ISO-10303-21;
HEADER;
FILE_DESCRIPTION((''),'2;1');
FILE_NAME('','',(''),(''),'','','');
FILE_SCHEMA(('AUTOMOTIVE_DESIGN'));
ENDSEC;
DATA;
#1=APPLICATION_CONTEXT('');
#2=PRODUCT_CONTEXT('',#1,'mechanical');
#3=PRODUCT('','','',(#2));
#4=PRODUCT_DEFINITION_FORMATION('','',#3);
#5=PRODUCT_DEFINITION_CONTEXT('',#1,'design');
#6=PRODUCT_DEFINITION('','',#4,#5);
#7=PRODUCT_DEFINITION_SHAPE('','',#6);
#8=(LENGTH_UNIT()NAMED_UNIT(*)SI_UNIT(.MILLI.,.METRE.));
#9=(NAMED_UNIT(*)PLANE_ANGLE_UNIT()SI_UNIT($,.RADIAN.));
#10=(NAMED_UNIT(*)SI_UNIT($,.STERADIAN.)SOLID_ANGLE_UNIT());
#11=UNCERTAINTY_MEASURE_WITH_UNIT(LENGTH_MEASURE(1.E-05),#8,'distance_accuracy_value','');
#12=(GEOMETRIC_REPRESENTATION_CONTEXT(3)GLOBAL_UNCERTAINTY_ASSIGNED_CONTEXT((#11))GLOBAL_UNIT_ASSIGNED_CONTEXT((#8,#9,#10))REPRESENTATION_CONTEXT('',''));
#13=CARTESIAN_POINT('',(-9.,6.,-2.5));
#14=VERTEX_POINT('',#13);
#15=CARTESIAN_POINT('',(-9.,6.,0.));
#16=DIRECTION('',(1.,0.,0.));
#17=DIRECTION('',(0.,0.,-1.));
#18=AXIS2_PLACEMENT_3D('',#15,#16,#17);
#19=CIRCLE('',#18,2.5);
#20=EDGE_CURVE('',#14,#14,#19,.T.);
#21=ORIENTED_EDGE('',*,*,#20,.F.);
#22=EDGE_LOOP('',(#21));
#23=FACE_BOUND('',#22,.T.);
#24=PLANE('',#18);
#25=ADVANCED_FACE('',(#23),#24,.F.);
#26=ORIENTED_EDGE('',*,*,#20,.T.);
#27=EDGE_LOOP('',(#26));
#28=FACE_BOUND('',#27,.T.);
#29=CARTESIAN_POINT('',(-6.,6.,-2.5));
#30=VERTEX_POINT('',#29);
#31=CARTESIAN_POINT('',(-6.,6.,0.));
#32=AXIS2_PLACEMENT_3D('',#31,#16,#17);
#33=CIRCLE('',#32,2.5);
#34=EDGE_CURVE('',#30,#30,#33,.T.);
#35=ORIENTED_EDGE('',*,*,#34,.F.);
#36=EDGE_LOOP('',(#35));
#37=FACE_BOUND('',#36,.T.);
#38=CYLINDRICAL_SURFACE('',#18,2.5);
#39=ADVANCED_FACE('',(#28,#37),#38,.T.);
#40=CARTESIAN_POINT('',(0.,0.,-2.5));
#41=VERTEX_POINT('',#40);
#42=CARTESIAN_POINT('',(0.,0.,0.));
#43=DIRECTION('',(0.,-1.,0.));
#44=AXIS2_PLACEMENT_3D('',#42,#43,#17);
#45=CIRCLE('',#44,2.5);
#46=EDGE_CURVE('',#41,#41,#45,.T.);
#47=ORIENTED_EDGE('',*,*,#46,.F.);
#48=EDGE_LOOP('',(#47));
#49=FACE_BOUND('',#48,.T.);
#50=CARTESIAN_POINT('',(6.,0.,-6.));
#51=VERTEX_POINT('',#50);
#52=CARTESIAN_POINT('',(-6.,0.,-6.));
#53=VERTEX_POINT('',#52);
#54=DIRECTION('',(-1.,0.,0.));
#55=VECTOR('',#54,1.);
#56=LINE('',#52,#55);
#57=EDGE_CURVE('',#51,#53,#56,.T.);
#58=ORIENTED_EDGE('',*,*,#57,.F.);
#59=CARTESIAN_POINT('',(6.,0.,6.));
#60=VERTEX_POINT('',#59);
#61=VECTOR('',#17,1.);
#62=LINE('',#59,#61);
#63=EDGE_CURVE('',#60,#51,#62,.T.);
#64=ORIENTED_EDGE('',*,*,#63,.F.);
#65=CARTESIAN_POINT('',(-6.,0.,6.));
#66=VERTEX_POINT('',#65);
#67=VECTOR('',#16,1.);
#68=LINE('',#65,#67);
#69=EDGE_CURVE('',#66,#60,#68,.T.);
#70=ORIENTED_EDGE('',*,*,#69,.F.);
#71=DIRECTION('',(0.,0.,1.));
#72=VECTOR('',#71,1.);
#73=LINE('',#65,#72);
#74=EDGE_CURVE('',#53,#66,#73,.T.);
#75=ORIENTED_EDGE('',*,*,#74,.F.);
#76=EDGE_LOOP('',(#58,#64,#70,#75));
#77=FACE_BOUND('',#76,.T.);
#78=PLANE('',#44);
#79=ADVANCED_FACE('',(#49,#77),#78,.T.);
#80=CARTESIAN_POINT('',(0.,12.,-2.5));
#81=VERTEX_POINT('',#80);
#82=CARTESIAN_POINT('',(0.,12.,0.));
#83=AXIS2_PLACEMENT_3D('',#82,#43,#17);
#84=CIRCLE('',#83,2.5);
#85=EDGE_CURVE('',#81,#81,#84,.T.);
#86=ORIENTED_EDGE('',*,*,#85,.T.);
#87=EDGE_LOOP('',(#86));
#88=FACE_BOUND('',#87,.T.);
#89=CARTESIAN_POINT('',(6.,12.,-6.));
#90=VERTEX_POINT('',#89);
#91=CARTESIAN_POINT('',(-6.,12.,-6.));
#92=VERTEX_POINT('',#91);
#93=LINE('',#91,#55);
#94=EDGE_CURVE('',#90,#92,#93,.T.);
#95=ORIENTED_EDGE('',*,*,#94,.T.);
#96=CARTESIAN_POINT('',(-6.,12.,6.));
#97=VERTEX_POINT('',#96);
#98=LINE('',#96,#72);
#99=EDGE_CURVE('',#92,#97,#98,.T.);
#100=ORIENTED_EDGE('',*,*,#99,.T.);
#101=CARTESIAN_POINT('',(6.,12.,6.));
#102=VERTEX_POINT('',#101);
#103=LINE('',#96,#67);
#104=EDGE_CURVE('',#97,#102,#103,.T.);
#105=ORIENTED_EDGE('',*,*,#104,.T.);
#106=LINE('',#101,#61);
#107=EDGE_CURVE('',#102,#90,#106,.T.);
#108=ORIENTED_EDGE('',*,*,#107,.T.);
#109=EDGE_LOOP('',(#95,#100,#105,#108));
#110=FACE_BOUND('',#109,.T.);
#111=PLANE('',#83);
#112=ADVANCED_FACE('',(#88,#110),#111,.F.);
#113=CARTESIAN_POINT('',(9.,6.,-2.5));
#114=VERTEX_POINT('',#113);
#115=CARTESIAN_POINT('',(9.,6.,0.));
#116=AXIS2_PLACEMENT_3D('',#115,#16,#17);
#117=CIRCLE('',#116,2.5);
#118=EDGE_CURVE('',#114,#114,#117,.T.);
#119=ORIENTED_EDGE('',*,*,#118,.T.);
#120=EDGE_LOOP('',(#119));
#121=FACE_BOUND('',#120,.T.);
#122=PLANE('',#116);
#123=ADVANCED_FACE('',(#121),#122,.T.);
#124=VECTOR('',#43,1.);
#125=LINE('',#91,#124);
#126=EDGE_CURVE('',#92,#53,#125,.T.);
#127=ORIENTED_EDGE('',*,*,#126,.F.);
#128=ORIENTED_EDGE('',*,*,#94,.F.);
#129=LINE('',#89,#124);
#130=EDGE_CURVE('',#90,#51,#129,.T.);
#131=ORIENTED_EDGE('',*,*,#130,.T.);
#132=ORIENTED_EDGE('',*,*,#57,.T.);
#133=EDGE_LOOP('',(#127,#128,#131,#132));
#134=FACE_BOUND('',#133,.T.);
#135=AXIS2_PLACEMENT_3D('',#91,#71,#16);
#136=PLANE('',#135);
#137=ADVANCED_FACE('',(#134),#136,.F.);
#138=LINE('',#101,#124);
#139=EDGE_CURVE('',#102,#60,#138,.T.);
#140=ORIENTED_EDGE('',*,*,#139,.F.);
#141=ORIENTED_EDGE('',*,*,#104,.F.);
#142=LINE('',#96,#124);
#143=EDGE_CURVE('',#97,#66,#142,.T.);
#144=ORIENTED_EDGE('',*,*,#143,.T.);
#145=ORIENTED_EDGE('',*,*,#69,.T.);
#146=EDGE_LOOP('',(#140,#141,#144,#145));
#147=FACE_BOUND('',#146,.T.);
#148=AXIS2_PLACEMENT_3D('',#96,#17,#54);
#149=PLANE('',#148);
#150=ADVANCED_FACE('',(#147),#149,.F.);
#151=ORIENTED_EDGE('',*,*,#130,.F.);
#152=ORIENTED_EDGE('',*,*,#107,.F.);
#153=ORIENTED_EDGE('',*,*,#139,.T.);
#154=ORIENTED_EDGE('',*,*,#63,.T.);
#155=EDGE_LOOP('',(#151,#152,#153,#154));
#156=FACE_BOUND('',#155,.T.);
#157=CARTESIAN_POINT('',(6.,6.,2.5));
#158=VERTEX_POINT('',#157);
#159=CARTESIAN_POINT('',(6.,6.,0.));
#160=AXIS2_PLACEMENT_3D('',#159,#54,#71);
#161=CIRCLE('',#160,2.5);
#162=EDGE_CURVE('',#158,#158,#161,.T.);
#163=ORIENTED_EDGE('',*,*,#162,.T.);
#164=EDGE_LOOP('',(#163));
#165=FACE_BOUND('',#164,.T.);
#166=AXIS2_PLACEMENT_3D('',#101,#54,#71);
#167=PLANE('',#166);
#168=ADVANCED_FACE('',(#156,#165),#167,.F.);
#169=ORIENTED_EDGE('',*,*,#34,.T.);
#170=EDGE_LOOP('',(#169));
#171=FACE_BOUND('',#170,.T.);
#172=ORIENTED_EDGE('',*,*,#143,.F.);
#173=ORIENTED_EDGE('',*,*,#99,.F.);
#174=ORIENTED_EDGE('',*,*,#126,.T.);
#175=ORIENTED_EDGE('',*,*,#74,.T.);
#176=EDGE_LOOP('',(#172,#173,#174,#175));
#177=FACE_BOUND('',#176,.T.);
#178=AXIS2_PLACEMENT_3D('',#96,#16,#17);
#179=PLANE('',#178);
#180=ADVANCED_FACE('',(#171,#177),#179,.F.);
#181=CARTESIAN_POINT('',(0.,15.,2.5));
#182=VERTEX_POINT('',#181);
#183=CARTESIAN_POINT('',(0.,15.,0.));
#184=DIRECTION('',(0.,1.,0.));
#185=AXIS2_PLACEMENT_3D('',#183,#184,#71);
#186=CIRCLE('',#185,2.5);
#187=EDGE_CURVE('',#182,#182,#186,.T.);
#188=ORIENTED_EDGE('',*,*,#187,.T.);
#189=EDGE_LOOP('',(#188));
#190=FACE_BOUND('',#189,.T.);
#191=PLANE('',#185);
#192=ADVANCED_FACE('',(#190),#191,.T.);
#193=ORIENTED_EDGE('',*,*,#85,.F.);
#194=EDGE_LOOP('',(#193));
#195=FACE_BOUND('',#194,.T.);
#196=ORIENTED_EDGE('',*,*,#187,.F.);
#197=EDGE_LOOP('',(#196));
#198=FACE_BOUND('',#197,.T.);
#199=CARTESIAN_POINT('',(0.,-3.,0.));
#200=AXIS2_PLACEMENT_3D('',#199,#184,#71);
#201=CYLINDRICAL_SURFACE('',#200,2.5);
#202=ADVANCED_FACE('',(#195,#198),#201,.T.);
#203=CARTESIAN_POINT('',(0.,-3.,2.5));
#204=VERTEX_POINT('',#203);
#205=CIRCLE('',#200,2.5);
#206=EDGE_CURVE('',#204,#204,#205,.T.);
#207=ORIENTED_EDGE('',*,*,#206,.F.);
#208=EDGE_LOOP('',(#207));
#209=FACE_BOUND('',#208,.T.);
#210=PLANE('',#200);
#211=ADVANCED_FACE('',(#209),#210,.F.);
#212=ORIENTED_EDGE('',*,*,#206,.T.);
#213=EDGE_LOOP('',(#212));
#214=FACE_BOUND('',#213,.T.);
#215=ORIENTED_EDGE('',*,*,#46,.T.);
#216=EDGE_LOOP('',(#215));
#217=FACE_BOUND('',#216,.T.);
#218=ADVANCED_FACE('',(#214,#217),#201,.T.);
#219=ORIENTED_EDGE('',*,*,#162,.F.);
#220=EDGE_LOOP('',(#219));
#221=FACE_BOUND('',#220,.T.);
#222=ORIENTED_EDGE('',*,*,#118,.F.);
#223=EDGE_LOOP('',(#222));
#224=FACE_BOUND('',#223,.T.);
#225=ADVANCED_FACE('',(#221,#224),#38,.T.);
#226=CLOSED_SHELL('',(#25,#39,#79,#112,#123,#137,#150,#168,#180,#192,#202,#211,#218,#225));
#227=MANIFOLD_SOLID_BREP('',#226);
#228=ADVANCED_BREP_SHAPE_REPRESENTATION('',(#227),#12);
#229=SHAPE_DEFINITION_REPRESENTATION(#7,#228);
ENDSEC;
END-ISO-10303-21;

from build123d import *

# Parameters (mm, degrees)
SKETCH_1_W           = 12
SKETCH_1_H           = 12
EXTRUDE_1_DEPTH      = 12
EXTRUDE_2_DEPTH      = 3
EXTRUDE_2_DEPTH_BACK = 15
SKETCH_2_R           = 2.5
EXTRUDE_3_DEPTH      = 3
EXTRUDE_3_DEPTH_BACK = 15
SKETCH_3_R           = 2.5


with BuildPart() as part:
    # 草图1 → 凸台-拉伸1 (new body)
    with BuildSketch(Plane(origin=(0, 0, 0), x_dir=(1, 0, 0), z_dir=(0, 1, 0))):
        Rectangle(SKETCH_1_W, SKETCH_1_H)
    extrude(amount=EXTRUDE_1_DEPTH)

    # 草图2 → 凸台-拉伸2 (add, two sides: drawn at the far end of the back side and taken through both)
    with BuildSketch(Plane(origin=(0, 12, 0), x_dir=(1, 0, 0), z_dir=(0, 1, 0)).offset(-EXTRUDE_2_DEPTH_BACK)):
        with Locations(Location((0, 0, 0), (0, 0, 270))):
            Circle(SKETCH_2_R)
    extrude(amount=EXTRUDE_2_DEPTH + EXTRUDE_2_DEPTH_BACK)

    # 草图3 → 凸台-拉伸3 (add, two sides: drawn at the far end of the back side and taken through both)
    with BuildSketch(Plane(origin=(6, 0, 0), x_dir=(0, 0, -1), z_dir=(1, 0, 0)).offset(-EXTRUDE_3_DEPTH_BACK)):
        with Locations((0, 6)):
            Circle(SKETCH_3_R)
    extrude(amount=EXTRUDE_3_DEPTH + EXTRUDE_3_DEPTH_BACK)


solid = part.part
